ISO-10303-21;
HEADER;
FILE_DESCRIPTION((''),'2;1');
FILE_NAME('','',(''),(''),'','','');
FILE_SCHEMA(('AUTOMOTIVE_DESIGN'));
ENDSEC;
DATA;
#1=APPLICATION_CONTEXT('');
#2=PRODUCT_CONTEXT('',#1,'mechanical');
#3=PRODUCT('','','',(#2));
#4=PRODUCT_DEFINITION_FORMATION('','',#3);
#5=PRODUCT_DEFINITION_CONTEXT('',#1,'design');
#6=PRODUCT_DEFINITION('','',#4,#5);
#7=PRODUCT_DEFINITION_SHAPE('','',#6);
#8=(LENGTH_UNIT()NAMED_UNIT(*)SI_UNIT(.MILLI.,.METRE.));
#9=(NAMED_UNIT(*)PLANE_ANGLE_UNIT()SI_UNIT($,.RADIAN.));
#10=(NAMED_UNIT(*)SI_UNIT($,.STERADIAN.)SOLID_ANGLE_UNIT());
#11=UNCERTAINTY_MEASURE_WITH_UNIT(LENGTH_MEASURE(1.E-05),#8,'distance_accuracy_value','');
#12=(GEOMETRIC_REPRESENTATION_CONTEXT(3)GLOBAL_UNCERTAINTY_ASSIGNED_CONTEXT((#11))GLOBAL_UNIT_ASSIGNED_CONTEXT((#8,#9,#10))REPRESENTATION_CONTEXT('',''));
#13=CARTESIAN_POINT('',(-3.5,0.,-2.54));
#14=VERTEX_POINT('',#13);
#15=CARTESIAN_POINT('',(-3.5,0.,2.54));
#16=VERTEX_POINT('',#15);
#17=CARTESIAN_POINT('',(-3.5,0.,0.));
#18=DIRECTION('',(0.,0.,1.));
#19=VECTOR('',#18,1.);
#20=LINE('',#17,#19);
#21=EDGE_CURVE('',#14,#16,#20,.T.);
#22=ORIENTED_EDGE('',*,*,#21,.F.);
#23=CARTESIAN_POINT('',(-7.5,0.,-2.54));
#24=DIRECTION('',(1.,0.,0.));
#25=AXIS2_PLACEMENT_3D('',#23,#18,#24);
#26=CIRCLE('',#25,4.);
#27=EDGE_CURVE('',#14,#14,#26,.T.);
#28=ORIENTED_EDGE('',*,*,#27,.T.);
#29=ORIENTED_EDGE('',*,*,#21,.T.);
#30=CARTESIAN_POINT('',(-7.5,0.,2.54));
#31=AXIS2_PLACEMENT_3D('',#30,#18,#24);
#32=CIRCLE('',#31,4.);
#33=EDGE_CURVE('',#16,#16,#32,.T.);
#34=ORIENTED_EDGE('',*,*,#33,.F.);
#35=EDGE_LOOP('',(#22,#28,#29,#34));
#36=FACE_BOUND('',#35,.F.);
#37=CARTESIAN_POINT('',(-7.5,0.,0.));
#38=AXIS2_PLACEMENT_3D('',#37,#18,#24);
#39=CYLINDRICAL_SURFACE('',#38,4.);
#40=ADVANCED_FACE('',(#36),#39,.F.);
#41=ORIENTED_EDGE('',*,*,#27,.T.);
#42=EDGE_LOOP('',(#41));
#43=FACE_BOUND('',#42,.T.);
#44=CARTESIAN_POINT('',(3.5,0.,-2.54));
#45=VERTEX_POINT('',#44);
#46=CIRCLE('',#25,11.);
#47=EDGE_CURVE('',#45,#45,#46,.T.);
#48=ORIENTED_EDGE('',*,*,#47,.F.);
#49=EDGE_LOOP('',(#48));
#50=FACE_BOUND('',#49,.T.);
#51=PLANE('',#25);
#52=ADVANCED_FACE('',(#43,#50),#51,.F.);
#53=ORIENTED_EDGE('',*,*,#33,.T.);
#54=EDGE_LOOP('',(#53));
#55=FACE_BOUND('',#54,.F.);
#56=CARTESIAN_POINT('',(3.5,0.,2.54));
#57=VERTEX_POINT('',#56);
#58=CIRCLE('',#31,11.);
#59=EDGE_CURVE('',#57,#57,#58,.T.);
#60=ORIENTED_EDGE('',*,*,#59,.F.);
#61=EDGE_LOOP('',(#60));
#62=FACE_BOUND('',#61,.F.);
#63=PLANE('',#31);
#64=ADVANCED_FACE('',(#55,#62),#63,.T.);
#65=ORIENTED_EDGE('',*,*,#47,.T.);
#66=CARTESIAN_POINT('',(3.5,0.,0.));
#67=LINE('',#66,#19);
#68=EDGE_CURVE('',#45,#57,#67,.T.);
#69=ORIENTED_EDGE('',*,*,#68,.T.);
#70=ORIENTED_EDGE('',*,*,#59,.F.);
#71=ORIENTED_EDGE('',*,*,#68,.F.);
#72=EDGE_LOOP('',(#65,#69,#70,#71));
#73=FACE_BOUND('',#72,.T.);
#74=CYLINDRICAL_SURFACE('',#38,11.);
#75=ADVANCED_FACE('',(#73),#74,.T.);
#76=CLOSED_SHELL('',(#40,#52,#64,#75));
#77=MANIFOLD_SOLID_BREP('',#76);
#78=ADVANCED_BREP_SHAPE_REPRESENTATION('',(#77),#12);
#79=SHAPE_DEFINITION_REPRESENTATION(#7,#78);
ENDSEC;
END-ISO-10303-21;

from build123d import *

# Parameters (mm, degrees)
F0_W = 7
F0_H = 5.08


with BuildPart() as f2:
    # F0 (on Front) → F2 (revolve)
    with BuildSketch(Plane.XZ):
        Rectangle(F0_W, F0_H)
    revolve(axis=Axis((-7.5, 0, 2.8776), (0, 0, 1)))


solid = f2.part
